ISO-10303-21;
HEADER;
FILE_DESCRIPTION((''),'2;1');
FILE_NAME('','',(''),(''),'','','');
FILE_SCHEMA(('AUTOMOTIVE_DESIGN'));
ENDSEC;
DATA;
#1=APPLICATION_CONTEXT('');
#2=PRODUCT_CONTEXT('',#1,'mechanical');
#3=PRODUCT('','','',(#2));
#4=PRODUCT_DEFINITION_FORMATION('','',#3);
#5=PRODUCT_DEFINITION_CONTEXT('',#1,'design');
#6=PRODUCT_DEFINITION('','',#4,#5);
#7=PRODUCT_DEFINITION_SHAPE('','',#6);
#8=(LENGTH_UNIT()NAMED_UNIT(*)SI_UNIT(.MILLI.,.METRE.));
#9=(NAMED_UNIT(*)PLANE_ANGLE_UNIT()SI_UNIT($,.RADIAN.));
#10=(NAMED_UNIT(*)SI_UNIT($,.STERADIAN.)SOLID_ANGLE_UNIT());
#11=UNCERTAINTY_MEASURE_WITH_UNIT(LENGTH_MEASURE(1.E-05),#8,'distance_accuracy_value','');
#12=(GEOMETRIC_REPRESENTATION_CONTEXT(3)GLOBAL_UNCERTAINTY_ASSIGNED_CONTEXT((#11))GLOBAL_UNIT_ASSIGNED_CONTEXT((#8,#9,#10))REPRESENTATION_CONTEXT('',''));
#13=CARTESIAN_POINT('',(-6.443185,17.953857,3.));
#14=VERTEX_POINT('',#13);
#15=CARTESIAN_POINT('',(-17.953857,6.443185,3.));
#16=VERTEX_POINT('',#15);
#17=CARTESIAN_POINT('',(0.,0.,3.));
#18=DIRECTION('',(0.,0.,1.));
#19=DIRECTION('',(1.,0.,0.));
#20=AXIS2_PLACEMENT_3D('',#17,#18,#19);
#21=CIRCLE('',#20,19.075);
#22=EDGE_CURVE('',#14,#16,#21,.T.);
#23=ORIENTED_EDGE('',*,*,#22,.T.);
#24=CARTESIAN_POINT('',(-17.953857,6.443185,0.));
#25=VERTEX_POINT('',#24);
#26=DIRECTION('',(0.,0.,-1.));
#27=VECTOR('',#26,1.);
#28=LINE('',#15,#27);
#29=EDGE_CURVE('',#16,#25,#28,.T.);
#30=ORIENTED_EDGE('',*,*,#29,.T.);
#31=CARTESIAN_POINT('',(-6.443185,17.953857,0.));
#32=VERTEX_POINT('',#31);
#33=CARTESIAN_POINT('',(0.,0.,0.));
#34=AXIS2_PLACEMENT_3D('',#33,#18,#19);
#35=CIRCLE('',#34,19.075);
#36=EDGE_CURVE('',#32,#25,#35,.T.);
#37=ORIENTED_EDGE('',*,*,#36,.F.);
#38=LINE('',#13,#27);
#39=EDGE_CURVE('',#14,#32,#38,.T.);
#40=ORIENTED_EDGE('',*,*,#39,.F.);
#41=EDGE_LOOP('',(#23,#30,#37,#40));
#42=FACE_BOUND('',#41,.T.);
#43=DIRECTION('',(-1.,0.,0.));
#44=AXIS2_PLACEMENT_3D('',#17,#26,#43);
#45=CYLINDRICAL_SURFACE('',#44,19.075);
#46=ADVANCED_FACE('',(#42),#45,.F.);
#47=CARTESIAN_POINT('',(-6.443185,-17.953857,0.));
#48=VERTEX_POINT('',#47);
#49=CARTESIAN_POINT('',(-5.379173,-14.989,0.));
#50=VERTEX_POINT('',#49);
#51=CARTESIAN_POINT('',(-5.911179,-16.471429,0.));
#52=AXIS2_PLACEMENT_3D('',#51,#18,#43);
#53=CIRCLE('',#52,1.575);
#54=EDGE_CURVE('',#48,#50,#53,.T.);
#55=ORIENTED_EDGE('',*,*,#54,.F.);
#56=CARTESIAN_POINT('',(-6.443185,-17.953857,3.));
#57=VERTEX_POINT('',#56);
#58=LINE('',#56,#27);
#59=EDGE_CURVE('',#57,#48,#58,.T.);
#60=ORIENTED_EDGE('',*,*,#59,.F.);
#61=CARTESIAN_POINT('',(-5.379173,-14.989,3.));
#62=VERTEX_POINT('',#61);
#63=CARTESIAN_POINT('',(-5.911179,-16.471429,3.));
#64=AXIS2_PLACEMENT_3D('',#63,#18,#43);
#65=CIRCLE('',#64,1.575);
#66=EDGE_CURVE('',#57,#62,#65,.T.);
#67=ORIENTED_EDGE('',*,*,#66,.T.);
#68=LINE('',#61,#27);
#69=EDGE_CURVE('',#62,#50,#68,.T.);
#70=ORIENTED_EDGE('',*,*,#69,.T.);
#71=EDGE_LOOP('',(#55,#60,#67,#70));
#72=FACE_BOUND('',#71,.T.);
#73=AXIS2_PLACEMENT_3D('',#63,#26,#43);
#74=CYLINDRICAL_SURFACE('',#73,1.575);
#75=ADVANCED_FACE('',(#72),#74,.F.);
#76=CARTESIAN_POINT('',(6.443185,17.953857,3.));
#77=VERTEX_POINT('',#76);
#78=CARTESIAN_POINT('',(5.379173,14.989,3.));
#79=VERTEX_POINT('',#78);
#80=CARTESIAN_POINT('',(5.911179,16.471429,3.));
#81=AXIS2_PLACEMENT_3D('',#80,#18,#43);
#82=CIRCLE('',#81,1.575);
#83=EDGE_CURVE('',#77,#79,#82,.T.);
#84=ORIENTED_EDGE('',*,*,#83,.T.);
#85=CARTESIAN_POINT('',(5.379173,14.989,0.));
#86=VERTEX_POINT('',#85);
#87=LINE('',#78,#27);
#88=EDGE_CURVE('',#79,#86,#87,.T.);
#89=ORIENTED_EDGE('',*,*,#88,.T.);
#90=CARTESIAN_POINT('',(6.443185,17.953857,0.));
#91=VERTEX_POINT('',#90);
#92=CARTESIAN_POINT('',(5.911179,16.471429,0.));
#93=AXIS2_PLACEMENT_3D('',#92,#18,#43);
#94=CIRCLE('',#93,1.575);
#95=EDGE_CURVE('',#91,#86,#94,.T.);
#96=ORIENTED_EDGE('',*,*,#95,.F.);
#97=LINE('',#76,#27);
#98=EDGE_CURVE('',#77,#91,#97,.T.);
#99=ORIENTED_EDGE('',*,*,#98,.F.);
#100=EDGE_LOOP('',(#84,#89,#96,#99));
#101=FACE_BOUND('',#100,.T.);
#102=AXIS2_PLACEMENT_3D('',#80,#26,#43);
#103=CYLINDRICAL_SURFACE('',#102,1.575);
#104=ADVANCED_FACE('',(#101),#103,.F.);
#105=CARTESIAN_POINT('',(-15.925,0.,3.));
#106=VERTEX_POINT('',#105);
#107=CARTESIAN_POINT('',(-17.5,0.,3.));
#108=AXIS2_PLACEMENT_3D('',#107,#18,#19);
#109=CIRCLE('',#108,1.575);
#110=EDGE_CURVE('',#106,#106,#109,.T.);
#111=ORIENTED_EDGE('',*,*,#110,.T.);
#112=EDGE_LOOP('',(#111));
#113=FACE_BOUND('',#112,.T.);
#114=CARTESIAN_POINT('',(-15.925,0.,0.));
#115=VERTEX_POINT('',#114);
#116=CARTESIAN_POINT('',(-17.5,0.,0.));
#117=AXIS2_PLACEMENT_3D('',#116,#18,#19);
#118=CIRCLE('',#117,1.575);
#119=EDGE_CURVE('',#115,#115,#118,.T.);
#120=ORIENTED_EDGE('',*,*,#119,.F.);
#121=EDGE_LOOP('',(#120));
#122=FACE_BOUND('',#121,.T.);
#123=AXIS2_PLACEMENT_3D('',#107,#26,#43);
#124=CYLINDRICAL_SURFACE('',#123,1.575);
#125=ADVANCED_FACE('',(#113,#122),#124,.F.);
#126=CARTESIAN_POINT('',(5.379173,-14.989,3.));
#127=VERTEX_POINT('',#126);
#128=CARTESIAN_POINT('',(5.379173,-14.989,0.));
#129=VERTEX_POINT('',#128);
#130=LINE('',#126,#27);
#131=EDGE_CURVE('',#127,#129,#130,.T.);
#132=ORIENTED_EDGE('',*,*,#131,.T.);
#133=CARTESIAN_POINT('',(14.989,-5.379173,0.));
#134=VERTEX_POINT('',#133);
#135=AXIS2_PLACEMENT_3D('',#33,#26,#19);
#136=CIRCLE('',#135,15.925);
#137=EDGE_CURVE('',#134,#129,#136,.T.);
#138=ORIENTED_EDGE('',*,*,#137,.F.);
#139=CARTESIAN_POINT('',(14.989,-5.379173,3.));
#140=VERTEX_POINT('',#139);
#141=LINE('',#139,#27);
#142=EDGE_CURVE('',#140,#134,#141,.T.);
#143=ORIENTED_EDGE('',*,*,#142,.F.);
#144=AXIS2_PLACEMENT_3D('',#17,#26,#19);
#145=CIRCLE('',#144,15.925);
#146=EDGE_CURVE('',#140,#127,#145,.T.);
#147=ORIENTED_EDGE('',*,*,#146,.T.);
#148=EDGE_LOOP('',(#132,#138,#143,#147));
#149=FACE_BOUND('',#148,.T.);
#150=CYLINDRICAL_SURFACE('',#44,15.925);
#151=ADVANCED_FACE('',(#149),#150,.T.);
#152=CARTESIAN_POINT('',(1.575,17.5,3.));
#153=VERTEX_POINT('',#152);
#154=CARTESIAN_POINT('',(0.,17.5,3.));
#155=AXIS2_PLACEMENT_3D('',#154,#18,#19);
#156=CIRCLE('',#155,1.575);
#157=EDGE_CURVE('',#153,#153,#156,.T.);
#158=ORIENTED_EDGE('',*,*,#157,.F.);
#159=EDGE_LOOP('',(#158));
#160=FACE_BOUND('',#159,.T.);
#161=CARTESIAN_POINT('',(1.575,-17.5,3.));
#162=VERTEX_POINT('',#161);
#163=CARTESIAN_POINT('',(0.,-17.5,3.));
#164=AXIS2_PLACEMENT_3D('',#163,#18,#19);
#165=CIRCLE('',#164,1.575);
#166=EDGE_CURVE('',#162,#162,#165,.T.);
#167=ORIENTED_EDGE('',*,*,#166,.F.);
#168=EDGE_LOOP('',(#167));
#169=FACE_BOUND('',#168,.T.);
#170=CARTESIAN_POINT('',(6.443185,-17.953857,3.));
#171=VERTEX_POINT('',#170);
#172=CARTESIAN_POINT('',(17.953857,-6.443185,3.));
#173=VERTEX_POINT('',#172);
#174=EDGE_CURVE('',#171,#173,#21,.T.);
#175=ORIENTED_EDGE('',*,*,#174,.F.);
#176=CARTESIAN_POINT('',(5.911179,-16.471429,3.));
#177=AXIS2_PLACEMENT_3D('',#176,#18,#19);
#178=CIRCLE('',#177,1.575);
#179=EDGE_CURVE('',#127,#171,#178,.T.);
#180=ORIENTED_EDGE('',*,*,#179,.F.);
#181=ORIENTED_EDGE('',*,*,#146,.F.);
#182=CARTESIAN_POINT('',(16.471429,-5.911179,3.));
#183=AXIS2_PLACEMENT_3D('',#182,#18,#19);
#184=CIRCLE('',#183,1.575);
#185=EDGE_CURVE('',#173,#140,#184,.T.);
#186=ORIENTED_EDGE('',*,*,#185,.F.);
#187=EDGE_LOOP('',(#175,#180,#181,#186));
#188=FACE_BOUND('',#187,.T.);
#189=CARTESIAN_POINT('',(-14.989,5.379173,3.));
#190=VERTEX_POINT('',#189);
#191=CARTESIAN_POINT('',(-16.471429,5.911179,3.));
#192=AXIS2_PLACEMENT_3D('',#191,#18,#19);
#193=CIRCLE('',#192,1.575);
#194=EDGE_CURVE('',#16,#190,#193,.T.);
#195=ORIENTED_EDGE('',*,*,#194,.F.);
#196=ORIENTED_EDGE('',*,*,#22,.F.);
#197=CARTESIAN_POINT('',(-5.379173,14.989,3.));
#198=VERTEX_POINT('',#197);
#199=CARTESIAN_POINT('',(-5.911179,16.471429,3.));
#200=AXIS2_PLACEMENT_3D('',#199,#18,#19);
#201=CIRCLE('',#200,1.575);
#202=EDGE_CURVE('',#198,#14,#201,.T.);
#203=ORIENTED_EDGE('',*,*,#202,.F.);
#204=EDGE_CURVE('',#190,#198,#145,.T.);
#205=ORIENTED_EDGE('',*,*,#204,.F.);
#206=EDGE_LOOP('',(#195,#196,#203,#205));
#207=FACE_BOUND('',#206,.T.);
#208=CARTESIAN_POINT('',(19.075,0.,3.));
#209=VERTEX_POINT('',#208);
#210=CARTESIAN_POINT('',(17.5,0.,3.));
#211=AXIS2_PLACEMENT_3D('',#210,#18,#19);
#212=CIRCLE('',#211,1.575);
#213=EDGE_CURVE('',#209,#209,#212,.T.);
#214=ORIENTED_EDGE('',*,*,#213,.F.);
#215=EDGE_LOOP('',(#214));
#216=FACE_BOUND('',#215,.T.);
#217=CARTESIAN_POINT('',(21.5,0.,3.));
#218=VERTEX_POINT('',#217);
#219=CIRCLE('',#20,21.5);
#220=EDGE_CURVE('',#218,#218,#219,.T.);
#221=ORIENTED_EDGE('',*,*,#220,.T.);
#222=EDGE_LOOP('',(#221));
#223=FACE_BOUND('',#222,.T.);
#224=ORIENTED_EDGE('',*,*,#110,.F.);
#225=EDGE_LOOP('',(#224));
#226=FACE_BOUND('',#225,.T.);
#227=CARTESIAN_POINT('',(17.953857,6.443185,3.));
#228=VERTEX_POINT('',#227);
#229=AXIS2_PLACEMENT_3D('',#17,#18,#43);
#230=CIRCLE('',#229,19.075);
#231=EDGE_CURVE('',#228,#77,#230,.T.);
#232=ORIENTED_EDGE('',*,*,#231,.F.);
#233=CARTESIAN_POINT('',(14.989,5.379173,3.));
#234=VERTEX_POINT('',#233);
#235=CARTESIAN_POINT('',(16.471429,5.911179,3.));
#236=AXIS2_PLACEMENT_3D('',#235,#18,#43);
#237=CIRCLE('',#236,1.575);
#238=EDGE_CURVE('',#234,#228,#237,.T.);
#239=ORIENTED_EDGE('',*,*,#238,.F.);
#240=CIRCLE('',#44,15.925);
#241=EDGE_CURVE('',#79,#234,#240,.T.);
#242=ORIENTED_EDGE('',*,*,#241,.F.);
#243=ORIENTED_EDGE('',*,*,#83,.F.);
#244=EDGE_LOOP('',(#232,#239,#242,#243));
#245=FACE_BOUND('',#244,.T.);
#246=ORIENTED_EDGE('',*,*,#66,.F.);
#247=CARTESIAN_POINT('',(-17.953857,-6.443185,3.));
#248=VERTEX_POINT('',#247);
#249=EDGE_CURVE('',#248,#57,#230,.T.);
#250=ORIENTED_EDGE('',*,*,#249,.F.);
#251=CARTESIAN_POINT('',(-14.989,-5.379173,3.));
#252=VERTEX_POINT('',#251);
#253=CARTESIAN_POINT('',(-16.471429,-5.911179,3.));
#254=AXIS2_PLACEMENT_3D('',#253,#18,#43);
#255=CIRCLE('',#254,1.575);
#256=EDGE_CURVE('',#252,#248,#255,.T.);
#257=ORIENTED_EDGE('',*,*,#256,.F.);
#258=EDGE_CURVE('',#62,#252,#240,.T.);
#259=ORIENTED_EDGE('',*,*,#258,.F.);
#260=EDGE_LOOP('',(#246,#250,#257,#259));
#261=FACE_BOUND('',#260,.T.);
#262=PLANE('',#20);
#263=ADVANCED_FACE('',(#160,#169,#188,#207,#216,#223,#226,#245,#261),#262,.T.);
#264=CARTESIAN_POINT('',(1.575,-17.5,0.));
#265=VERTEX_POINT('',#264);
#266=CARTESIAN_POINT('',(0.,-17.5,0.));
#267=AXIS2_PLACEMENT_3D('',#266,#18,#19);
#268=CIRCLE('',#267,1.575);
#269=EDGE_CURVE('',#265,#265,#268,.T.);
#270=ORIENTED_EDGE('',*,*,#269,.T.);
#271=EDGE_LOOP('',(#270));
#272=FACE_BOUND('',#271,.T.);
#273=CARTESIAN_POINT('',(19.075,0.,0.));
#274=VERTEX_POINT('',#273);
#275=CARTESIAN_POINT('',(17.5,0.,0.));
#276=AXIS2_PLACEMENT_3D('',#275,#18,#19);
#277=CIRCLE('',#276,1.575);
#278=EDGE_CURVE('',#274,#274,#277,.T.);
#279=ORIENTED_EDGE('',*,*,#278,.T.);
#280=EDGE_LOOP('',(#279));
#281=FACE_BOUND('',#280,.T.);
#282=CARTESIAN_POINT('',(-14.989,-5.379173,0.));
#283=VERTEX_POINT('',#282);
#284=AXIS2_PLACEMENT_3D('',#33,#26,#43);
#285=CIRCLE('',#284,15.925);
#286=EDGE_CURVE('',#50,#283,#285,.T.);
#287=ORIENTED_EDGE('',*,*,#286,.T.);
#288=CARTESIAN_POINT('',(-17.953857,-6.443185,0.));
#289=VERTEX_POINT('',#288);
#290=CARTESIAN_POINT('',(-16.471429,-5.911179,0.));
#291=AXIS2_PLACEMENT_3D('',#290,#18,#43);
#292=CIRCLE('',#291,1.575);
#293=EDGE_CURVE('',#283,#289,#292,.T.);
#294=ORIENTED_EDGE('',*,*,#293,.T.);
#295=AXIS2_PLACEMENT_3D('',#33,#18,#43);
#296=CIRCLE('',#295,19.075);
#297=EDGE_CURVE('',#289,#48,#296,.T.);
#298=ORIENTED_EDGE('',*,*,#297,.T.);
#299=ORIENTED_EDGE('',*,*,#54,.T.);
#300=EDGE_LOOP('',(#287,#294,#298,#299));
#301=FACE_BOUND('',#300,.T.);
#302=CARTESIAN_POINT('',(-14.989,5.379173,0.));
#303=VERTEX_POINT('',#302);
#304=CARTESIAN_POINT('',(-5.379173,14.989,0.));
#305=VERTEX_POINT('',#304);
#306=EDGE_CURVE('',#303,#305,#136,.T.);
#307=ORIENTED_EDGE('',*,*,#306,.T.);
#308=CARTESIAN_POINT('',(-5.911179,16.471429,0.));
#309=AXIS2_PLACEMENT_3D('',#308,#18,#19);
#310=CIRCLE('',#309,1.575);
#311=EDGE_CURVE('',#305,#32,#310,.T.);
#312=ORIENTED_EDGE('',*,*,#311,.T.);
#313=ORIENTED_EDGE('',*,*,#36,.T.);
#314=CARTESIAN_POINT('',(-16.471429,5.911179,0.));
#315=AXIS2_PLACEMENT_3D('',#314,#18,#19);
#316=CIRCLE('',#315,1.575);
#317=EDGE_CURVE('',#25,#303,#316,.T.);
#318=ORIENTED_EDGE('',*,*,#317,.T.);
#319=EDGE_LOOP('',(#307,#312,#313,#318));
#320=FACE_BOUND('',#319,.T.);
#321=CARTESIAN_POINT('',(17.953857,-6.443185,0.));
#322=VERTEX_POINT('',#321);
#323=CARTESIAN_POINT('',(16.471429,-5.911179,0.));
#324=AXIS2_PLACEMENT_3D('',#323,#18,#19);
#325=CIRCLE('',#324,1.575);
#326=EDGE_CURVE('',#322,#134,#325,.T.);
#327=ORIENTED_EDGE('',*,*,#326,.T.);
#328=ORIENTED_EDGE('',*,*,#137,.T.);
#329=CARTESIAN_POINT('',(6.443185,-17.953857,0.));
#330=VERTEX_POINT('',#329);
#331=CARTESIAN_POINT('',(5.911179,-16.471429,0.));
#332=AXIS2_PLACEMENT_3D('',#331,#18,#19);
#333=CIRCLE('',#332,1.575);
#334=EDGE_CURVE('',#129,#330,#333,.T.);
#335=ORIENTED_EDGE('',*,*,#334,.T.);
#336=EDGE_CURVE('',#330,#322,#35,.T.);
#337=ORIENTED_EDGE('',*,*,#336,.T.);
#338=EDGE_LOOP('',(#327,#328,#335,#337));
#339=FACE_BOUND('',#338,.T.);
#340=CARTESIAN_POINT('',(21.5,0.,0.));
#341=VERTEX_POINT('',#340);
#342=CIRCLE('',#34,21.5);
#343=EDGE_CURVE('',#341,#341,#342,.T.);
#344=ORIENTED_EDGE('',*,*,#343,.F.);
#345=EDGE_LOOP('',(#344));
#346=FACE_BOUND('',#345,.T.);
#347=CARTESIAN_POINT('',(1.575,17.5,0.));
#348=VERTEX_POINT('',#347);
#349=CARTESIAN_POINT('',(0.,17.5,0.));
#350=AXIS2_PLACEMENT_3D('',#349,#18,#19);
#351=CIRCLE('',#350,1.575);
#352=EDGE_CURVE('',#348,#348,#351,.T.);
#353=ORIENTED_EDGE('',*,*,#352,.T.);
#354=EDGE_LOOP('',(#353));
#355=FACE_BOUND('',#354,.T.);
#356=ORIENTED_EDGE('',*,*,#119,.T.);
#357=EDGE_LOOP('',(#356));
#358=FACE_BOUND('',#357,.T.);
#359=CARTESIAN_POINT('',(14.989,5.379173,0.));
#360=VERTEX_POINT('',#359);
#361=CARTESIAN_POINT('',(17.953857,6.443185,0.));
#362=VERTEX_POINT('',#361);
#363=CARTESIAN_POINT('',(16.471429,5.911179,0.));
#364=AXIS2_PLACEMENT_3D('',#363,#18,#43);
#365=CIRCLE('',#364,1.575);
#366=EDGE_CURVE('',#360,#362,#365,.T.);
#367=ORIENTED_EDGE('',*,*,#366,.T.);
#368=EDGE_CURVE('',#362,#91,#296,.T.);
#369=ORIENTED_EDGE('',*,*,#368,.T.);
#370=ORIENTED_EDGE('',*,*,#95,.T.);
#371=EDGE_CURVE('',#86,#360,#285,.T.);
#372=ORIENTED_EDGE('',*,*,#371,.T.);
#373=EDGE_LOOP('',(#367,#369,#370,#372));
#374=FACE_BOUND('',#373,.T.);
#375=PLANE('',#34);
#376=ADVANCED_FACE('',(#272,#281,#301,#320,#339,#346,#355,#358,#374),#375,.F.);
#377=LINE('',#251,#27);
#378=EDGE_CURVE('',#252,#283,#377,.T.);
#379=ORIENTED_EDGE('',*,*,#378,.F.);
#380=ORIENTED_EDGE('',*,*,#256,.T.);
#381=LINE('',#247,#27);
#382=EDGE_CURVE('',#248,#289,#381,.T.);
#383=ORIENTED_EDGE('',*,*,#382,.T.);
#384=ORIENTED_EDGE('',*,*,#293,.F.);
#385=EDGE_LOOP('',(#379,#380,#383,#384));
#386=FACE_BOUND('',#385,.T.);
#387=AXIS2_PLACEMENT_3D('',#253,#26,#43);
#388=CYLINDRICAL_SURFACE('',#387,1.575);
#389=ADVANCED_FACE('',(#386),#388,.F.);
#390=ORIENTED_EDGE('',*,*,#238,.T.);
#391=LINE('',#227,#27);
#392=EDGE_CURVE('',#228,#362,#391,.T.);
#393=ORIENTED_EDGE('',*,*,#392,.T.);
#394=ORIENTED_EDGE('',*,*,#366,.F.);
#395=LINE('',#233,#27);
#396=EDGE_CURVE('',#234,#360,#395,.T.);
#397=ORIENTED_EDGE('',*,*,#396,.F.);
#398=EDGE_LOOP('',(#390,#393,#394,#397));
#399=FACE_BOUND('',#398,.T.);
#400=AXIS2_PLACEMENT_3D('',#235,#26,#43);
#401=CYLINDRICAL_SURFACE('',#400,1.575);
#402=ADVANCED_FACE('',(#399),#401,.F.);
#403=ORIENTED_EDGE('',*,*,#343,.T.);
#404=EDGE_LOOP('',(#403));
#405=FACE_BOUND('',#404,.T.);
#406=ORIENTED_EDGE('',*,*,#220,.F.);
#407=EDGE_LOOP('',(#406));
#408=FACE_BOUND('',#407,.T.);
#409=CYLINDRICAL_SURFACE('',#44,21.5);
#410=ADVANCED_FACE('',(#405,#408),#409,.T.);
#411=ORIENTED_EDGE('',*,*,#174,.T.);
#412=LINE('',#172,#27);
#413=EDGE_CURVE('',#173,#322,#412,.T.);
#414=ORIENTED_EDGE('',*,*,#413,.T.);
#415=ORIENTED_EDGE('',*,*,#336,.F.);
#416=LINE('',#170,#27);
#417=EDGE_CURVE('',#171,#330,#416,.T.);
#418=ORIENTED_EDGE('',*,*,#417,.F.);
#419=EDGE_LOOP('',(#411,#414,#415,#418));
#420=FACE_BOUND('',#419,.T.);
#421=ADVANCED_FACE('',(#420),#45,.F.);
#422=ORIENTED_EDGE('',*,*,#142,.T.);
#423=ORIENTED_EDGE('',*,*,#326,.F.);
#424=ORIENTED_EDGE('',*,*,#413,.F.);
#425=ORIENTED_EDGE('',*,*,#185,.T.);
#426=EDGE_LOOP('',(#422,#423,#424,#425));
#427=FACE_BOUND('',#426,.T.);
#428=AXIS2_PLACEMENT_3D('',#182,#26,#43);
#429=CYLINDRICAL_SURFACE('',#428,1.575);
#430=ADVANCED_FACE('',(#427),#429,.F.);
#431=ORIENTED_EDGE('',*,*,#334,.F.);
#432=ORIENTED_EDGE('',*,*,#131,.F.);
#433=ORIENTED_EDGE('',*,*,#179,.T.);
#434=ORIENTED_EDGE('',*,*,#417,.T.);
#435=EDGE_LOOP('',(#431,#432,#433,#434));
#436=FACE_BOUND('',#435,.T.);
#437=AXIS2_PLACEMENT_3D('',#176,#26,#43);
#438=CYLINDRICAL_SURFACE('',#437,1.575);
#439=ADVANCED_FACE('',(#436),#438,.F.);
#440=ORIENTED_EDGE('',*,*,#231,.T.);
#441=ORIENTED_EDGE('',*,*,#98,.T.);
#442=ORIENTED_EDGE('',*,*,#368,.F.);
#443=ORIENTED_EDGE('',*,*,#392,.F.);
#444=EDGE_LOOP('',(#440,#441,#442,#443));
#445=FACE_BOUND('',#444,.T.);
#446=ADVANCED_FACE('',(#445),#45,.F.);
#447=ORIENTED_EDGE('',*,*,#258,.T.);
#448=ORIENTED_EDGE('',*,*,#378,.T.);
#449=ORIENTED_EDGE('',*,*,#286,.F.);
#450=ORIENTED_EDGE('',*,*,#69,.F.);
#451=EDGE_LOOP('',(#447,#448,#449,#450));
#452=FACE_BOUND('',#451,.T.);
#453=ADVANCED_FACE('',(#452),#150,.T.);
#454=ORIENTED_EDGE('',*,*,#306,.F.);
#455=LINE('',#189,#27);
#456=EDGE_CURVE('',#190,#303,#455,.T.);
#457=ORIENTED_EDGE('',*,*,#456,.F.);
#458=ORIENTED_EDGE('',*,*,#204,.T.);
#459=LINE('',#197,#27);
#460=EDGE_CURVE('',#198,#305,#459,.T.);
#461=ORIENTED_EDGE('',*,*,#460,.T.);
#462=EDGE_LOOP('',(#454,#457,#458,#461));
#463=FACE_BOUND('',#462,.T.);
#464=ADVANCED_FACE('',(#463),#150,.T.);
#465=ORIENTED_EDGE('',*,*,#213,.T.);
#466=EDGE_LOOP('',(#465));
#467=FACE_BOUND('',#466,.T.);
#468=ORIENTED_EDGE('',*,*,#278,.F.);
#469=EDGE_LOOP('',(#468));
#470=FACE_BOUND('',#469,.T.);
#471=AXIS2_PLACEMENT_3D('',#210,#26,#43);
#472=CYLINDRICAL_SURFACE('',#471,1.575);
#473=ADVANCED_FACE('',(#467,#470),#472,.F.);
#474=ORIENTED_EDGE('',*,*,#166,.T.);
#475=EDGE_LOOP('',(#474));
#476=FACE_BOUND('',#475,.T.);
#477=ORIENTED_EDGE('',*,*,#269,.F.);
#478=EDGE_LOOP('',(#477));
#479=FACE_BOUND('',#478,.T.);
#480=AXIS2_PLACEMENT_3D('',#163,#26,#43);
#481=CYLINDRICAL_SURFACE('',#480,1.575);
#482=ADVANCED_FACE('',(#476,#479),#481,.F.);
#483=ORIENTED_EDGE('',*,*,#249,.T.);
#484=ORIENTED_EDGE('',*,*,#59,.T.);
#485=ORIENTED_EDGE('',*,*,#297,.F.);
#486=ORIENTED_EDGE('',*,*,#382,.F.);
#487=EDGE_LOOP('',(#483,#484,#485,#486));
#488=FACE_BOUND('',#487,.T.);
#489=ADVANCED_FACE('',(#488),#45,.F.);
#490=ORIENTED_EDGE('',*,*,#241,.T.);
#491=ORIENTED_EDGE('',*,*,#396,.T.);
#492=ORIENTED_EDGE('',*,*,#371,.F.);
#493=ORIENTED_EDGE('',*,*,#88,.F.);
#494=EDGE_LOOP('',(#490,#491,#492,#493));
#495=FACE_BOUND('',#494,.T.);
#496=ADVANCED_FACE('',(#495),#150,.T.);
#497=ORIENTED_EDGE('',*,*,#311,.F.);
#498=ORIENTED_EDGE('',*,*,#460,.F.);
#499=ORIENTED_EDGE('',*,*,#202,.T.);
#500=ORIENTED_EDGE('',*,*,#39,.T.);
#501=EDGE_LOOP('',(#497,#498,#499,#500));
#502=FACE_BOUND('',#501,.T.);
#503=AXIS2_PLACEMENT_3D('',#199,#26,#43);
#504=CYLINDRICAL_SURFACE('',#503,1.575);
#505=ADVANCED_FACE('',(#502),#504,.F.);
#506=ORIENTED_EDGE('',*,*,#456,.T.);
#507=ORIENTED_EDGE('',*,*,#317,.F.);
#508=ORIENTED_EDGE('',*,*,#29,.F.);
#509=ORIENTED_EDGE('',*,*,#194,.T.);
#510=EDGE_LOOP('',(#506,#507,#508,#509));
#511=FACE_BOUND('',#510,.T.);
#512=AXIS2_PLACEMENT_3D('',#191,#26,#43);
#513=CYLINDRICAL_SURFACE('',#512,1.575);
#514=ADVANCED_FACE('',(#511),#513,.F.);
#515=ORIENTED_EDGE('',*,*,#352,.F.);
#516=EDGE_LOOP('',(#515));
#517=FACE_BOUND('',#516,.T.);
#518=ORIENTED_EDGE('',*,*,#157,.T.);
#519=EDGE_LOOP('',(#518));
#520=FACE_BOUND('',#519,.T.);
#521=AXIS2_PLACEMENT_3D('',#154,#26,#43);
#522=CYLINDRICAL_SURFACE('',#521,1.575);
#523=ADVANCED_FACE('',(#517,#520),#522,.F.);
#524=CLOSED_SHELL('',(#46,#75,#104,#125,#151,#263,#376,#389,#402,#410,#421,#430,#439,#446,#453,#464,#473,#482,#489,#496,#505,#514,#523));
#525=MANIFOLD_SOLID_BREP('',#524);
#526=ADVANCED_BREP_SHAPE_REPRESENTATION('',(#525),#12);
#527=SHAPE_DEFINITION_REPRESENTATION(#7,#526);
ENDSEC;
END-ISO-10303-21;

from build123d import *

# Parameters (mm, degrees)
SKETCH_1_R      = 21.5
SKETCH_1_R_2    = 1.575
EXTRUDE_1_DEPTH = 3


with BuildPart() as part:
    # 草图1 → 凸台-拉伸1 (new body)
    with BuildSketch(Plane.XY):
        Circle(SKETCH_1_R)
        with Locations((0, 17.5)):
            Circle(SKETCH_1_R_2, mode=Mode.SUBTRACT)
        with Locations((17.5, 0)):
            Circle(SKETCH_1_R_2, mode=Mode.SUBTRACT)
        with Locations((0, -17.5)):
            Circle(SKETCH_1_R_2, mode=Mode.SUBTRACT)
        with Locations((-17.5, 0)):
            Circle(SKETCH_1_R_2, mode=Mode.SUBTRACT)
        with BuildLine():
            ThreePointArc((-5.379173171, 14.989), (-4.428750737, 17.003434709), (-6.443185446, 17.953857143))
            ThreePointArc((-6.443185446, 17.953857143), (-13.488061851, 13.488061851), (-17.953857143, 6.443185446))
            ThreePointArc((-17.953857143, 6.443185446), (-17.003434709, 4.428750737), (-14.989, 5.379173171))
            ThreePointArc((-14.989, 5.379173171), (-11.26067549, 11.26067549), (-5.379173171, 14.989))
        make_face(mode=Mode.SUBTRACT)
        with BuildLine():
            ThreePointArc((5.379173171, 14.989), (11.26067549, 11.26067549), (14.989, 5.379173171))
            ThreePointArc((14.989, 5.379173171), (17.003434709, 4.428750737), (17.953857143, 6.443185446))
            ThreePointArc((17.953857143, 6.443185446), (13.488061851, 13.488061851), (6.443185446, 17.953857143))
            ThreePointArc((6.443185446, 17.953857143), (4.428750737, 17.003434709), (5.379173171, 14.989))
        make_face(mode=Mode.SUBTRACT)
        with BuildLine():
            ThreePointArc((5.379173171, -14.989), (4.428750737, -17.003434709), (6.443185446, -17.953857143))
            ThreePointArc((6.443185446, -17.953857143), (13.488061851, -13.488061851), (17.953857143, -6.443185446))
            ThreePointArc((17.953857143, -6.443185446), (17.003434709, -4.428750737), (14.989, -5.379173171))
            ThreePointArc((14.989, -5.379173171), (11.26067549, -11.26067549), (5.379173171, -14.989))
        make_face(mode=Mode.SUBTRACT)
        with BuildLine():
            ThreePointArc((-5.379173171, -14.989), (-11.26067549, -11.26067549), (-14.989, -5.379173171))
            ThreePointArc((-14.989, -5.379173171), (-17.003434709, -4.428750737), (-17.953857143, -6.443185446))
            ThreePointArc((-17.953857143, -6.443185446), (-13.488061851, -13.488061851), (-6.443185446, -17.953857143))
            ThreePointArc((-6.443185446, -17.953857143), (-4.428750737, -17.003434709), (-5.379173171, -14.989))
        make_face(mode=Mode.SUBTRACT)
    extrude(amount=EXTRUDE_1_DEPTH)


solid = part.part
